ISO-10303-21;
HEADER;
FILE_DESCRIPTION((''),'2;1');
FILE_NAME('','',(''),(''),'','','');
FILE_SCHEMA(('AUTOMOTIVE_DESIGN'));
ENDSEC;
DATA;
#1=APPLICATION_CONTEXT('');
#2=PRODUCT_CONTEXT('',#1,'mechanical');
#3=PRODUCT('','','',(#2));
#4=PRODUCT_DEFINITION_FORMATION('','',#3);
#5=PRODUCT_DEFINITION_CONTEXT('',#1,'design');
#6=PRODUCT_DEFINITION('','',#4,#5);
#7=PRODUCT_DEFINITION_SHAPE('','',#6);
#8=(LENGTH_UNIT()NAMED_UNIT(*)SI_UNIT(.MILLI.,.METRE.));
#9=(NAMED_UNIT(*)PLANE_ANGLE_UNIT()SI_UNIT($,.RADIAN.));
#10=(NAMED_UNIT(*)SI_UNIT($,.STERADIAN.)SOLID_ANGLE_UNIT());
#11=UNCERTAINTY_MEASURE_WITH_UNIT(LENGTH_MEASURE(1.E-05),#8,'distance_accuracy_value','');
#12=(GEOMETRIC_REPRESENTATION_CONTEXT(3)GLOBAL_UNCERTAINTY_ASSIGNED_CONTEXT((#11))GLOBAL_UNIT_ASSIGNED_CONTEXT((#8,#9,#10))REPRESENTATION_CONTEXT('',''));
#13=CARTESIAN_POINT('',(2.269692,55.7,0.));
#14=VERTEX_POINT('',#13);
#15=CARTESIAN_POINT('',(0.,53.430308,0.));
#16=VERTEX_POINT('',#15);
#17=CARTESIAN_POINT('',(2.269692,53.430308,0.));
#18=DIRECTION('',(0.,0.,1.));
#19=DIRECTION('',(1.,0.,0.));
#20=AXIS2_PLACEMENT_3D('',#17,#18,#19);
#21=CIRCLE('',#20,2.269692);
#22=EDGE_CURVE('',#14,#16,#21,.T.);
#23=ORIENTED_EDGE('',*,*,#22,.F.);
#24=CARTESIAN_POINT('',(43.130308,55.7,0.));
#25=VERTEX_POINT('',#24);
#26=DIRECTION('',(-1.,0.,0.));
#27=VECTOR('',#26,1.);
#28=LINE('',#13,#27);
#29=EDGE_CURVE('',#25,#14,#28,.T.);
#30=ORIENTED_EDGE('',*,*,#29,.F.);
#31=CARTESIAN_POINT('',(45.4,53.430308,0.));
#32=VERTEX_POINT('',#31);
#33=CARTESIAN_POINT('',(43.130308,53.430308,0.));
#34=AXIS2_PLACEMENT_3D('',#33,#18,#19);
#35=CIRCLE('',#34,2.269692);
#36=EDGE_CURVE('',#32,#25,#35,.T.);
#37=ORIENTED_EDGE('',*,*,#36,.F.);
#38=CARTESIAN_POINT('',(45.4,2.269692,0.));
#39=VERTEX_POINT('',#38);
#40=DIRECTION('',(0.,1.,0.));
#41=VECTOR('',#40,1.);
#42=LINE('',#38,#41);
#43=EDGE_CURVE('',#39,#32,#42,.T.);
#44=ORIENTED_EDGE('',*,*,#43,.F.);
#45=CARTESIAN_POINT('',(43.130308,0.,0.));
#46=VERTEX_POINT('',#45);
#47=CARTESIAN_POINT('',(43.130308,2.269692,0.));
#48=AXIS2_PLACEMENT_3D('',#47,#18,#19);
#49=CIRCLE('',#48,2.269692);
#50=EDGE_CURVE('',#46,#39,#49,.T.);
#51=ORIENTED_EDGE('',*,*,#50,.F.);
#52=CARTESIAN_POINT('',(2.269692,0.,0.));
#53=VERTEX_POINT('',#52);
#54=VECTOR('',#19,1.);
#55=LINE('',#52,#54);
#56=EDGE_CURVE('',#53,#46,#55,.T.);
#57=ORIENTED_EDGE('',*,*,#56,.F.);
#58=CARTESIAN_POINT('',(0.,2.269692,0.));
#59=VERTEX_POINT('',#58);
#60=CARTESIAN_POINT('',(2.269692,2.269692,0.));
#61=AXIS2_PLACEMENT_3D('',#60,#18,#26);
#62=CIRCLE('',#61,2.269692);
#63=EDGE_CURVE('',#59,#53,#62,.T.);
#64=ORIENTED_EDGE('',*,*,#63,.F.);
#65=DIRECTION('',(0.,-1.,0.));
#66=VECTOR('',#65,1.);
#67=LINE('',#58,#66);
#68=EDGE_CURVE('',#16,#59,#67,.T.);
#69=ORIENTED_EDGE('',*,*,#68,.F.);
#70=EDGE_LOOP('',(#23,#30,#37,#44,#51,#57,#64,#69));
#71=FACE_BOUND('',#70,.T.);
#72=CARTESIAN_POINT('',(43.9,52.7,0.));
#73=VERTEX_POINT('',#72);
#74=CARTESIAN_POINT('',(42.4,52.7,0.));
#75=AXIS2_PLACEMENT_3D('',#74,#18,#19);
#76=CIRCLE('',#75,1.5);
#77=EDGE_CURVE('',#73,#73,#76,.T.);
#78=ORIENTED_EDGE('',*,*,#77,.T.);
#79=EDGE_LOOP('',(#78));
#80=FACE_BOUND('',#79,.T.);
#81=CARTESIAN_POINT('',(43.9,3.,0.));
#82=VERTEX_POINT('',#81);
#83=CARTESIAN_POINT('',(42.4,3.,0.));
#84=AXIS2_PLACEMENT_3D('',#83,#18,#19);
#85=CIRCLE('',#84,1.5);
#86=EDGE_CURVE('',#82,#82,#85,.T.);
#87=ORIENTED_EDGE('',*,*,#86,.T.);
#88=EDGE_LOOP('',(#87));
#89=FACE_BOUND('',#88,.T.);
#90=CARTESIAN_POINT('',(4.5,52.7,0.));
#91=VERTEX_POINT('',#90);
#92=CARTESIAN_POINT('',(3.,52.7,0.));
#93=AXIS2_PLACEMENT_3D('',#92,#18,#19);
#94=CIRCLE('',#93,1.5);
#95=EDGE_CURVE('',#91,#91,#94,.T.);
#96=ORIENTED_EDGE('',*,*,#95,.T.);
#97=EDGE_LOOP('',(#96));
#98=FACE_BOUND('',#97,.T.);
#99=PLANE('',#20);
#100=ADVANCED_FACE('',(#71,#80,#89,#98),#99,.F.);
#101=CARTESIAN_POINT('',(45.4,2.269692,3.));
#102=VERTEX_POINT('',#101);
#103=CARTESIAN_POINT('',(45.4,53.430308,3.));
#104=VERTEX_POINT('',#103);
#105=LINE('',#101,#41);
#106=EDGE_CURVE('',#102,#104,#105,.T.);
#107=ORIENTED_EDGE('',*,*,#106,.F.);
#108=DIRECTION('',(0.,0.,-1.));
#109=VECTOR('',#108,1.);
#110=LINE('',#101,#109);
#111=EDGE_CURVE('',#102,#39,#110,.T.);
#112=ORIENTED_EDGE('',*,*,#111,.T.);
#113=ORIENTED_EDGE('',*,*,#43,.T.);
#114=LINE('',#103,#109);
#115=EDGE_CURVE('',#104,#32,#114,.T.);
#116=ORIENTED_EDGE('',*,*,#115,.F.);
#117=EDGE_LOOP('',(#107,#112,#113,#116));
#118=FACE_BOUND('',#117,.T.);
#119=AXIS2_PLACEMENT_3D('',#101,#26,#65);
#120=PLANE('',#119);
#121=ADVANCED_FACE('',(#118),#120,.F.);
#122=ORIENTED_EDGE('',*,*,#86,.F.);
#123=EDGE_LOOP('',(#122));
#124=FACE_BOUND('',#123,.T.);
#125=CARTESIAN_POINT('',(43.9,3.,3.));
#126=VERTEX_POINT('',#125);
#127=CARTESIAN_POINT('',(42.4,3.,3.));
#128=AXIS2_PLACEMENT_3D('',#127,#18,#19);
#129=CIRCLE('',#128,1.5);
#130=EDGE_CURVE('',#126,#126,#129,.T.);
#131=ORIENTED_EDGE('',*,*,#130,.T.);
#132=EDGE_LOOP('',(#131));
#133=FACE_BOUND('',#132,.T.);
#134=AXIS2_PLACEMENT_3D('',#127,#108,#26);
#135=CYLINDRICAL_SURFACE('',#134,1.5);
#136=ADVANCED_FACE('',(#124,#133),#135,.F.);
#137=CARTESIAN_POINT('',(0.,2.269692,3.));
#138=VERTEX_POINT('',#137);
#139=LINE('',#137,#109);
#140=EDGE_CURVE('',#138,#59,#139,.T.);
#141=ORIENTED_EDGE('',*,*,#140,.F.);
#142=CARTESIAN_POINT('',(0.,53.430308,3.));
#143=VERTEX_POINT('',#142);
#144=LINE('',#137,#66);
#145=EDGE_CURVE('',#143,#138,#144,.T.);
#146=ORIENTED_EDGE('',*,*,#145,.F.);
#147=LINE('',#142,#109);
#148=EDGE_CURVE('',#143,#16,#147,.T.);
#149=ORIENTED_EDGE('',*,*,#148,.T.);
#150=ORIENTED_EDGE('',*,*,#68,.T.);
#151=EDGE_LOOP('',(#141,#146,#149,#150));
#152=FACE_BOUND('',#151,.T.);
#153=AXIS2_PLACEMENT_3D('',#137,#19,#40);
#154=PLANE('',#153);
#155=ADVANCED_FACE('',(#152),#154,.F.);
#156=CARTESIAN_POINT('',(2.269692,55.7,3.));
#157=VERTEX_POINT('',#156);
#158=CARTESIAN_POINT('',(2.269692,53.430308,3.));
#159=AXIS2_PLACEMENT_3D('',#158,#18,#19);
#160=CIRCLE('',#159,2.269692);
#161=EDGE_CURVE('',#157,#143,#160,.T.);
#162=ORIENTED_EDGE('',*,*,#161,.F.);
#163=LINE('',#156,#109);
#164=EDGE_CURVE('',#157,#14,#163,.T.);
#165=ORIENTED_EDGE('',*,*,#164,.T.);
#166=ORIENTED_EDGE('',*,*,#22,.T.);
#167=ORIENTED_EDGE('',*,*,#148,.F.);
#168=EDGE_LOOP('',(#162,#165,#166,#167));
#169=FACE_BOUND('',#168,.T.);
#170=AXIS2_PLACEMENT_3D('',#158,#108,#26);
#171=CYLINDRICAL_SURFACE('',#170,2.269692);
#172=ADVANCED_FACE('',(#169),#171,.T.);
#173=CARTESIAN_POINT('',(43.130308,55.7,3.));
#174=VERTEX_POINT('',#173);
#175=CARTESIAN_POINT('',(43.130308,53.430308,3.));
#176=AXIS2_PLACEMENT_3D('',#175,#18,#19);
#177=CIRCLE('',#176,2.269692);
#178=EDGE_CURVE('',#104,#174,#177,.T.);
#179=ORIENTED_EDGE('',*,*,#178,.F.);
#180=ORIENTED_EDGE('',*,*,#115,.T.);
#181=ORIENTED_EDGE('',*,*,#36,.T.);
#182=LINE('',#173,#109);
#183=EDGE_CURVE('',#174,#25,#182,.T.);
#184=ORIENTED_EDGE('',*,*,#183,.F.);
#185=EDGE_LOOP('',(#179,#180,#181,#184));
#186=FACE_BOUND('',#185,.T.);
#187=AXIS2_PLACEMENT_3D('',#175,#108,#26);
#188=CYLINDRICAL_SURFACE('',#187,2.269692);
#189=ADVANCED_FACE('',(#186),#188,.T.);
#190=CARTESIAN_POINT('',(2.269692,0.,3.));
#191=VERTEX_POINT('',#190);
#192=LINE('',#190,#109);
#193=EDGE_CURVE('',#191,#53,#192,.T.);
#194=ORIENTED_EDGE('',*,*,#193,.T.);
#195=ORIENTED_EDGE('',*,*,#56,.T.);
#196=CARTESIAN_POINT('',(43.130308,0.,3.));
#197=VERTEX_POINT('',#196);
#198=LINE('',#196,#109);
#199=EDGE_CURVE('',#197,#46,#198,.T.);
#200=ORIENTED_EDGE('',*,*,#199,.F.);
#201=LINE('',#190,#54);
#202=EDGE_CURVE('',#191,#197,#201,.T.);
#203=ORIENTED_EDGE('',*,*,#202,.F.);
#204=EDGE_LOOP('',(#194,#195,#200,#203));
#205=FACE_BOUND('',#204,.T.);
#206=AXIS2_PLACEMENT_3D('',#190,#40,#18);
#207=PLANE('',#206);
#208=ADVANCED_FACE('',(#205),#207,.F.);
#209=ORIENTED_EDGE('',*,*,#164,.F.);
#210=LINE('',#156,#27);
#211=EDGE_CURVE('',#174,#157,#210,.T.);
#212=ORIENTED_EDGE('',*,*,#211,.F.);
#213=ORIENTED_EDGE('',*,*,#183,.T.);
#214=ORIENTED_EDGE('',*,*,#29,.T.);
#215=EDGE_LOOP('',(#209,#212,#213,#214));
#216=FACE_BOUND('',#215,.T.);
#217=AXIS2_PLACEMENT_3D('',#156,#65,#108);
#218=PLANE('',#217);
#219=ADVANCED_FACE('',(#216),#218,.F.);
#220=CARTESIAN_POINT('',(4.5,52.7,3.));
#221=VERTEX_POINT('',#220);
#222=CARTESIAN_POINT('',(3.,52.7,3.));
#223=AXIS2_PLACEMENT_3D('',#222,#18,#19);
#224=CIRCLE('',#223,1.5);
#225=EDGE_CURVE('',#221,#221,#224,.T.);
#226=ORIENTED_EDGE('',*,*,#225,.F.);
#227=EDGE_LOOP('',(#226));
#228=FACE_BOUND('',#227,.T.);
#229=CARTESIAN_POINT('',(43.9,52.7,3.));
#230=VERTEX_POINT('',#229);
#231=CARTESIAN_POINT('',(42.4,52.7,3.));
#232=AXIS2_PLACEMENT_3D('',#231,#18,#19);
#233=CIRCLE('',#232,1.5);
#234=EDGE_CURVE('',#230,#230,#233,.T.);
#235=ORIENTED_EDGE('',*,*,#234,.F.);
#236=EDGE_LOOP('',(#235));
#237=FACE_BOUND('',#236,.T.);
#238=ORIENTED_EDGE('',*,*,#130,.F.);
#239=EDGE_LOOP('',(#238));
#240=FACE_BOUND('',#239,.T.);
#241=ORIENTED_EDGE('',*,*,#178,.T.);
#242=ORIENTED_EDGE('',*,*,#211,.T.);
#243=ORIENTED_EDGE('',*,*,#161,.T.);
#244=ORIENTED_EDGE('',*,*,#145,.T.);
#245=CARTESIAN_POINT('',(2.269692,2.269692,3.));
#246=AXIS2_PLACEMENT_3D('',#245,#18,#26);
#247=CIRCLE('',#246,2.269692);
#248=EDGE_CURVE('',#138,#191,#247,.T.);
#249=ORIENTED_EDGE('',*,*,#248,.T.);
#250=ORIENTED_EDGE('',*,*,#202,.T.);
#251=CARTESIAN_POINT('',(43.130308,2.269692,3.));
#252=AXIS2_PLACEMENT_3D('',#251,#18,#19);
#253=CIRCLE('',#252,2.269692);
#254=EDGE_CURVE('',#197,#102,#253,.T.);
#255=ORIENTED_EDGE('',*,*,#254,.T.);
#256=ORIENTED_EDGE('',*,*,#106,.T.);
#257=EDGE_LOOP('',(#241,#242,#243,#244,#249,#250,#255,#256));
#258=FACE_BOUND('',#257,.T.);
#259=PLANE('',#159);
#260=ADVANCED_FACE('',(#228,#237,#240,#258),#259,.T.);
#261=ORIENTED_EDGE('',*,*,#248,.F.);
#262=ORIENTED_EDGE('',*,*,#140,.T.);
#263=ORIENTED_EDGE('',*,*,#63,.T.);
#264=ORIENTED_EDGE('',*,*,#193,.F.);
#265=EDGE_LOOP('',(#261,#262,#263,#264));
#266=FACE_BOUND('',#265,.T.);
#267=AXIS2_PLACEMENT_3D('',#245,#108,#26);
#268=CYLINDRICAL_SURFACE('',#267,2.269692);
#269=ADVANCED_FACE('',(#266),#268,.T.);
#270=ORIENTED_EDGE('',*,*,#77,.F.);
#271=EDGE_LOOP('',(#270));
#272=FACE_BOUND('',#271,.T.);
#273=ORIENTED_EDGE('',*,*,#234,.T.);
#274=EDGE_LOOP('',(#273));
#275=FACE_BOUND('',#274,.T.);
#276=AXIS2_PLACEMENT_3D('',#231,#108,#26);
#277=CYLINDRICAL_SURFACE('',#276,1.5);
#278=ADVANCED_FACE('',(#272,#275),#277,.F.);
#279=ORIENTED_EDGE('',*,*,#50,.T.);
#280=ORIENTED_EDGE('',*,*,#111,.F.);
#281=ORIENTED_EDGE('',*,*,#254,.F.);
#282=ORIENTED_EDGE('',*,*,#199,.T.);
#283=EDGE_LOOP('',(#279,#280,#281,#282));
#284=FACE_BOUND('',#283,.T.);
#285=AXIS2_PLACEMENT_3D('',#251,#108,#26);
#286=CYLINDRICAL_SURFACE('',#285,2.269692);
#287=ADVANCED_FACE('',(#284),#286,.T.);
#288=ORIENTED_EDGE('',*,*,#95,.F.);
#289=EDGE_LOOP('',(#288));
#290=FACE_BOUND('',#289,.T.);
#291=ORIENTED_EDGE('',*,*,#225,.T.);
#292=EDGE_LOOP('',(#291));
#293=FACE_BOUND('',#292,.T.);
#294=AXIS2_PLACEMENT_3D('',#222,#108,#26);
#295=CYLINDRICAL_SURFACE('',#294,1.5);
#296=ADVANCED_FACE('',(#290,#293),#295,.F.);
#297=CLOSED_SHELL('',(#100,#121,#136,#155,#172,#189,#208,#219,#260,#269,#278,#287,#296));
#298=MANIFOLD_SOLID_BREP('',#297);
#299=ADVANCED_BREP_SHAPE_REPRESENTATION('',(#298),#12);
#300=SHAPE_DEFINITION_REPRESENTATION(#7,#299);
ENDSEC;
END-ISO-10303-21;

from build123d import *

# Parameters (mm, degrees)
ESBO_O1_R                = 1.5
RESSALTO_EXTRUS_O1_DEPTH = 3


with BuildPart() as part:
    # Esboço1 → Ressalto-extrusão1 (new body)
    with BuildSketch(Plane.XY):
        with BuildLine():
            Line((2.269692136, 0), (43.130307864, 0))
            ThreePointArc((43.130307864, 0), (44.735222564, 0.664777436), (45.4, 2.269692136))
            Line((45.4, 2.269692136), (45.4, 53.430307864))
            ThreePointArc((45.4, 53.430307864), (44.735222564, 55.035222564), (43.130307864, 55.7))
            Line((43.130307864, 55.7), (2.269692136, 55.7))
            ThreePointArc((2.269692136, 55.7), (0.664777436, 55.035222564), (0, 53.430307864))
            Line((0, 53.430307864), (0, 2.269692136))
            ThreePointArc((0, 2.269692136), (0.664777436, 0.664777436), (2.269692136, 0))
        make_face()
        with Locations((42.4, 3)):
            Circle(ESBO_O1_R, mode=Mode.SUBTRACT)
        with Locations((42.4, 52.7)):
            Circle(ESBO_O1_R, mode=Mode.SUBTRACT)
        with Locations((3, 52.7)):
            Circle(ESBO_O1_R, mode=Mode.SUBTRACT)
    extrude(amount=RESSALTO_EXTRUS_O1_DEPTH)


solid = part.part
